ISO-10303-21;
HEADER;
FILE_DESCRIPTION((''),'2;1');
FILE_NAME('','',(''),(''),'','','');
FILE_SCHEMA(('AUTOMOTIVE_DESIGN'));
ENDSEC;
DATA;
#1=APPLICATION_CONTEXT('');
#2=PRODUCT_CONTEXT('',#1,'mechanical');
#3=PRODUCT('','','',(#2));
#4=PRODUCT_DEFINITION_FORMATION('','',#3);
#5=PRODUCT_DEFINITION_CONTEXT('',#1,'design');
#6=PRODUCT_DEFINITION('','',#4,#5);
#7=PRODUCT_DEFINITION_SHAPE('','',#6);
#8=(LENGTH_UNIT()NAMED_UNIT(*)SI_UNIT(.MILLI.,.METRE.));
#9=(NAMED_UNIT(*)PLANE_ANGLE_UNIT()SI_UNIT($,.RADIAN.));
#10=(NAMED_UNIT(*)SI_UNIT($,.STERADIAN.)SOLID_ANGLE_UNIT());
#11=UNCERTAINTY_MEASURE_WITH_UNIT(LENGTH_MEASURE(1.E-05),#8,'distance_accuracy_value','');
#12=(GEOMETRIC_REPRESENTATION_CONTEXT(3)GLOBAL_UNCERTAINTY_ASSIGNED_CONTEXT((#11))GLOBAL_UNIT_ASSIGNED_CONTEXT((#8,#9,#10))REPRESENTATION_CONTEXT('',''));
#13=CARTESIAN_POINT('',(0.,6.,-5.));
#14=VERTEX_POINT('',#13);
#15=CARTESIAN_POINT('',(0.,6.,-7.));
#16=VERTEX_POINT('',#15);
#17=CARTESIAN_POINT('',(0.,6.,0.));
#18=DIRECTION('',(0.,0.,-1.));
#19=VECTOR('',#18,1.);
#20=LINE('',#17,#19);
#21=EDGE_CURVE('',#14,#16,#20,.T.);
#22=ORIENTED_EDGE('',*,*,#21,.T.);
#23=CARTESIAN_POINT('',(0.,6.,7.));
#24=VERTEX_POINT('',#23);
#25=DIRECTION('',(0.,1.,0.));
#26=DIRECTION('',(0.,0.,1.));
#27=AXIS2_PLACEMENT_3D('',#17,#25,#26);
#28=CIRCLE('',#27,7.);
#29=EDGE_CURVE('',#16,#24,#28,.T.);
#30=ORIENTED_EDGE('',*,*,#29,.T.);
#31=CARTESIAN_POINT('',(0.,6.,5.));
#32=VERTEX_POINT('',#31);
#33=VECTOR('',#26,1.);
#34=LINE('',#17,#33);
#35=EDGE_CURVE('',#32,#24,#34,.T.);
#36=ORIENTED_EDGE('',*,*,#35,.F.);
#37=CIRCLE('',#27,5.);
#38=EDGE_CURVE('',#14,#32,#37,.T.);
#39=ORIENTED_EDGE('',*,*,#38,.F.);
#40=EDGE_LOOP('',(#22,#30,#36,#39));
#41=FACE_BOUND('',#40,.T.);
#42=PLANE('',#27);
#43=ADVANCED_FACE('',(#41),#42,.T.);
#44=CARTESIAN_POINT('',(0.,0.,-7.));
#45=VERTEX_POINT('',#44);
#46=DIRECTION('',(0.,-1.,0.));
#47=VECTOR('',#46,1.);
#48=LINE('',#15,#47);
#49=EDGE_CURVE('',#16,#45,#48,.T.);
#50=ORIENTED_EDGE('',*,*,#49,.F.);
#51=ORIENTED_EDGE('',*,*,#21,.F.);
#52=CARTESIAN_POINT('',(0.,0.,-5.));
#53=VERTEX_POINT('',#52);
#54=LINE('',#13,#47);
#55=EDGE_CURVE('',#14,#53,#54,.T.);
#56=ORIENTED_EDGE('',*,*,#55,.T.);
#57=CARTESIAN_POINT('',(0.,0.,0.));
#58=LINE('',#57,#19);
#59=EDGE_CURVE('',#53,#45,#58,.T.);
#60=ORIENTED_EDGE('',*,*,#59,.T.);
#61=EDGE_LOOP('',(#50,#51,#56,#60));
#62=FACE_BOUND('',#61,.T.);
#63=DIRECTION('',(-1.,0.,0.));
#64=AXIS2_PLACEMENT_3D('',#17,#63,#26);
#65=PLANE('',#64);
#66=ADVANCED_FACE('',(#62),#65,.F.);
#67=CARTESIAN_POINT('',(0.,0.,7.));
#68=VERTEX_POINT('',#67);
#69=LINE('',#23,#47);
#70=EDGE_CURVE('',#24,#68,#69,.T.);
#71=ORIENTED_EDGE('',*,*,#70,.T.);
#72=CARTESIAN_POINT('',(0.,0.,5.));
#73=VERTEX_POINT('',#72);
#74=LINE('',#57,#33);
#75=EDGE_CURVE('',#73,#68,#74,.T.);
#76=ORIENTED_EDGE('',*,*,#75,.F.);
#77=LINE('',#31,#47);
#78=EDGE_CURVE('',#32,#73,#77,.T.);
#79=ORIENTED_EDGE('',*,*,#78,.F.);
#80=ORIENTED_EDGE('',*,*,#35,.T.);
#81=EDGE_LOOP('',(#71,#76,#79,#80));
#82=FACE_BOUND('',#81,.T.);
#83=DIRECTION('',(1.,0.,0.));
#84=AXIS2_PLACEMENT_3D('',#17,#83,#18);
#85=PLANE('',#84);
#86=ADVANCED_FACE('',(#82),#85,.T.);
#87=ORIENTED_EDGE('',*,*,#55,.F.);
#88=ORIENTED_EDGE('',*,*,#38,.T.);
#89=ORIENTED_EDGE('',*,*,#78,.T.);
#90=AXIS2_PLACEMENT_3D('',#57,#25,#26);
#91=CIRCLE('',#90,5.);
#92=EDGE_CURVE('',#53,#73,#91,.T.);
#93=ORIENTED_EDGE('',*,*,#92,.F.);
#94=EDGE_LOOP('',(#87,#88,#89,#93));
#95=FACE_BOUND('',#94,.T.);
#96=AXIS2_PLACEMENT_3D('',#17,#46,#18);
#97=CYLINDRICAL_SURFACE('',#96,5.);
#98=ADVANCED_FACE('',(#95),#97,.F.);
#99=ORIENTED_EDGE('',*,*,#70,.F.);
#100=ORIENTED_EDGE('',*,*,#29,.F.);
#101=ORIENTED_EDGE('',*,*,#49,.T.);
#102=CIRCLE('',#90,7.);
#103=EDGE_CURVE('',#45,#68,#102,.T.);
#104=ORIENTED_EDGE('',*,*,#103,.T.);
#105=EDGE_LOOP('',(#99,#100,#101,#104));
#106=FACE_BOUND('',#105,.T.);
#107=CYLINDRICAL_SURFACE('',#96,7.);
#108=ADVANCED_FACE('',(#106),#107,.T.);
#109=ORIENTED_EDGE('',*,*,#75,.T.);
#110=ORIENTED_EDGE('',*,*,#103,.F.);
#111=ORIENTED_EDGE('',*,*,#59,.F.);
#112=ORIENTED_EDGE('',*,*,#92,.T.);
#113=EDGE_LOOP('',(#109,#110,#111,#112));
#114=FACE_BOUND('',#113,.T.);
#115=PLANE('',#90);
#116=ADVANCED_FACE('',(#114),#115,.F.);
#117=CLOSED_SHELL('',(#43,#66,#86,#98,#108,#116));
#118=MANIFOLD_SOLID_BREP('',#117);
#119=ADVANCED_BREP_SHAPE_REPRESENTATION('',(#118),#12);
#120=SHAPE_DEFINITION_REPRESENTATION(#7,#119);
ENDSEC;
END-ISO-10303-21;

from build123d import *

# Parameters (mm, degrees)
EXTRUDE_1_DEPTH = 6


with BuildPart() as part:
    # 草图1 → 凸台-拉伸1 (new body)
    with BuildSketch(Plane(origin=(0, 0, 0), x_dir=(1, 0, 0), z_dir=(0, 1, 0))):
        with BuildLine():
            Line((0, 5), (0, 7))
            ThreePointArc((0, 7), (-7, 0), (0, -7))
            Line((0, -7), (0, -5))
            ThreePointArc((0, -5), (-5, 0), (0, 5))
        make_face()
    extrude(amount=EXTRUDE_1_DEPTH)


solid = part.part
